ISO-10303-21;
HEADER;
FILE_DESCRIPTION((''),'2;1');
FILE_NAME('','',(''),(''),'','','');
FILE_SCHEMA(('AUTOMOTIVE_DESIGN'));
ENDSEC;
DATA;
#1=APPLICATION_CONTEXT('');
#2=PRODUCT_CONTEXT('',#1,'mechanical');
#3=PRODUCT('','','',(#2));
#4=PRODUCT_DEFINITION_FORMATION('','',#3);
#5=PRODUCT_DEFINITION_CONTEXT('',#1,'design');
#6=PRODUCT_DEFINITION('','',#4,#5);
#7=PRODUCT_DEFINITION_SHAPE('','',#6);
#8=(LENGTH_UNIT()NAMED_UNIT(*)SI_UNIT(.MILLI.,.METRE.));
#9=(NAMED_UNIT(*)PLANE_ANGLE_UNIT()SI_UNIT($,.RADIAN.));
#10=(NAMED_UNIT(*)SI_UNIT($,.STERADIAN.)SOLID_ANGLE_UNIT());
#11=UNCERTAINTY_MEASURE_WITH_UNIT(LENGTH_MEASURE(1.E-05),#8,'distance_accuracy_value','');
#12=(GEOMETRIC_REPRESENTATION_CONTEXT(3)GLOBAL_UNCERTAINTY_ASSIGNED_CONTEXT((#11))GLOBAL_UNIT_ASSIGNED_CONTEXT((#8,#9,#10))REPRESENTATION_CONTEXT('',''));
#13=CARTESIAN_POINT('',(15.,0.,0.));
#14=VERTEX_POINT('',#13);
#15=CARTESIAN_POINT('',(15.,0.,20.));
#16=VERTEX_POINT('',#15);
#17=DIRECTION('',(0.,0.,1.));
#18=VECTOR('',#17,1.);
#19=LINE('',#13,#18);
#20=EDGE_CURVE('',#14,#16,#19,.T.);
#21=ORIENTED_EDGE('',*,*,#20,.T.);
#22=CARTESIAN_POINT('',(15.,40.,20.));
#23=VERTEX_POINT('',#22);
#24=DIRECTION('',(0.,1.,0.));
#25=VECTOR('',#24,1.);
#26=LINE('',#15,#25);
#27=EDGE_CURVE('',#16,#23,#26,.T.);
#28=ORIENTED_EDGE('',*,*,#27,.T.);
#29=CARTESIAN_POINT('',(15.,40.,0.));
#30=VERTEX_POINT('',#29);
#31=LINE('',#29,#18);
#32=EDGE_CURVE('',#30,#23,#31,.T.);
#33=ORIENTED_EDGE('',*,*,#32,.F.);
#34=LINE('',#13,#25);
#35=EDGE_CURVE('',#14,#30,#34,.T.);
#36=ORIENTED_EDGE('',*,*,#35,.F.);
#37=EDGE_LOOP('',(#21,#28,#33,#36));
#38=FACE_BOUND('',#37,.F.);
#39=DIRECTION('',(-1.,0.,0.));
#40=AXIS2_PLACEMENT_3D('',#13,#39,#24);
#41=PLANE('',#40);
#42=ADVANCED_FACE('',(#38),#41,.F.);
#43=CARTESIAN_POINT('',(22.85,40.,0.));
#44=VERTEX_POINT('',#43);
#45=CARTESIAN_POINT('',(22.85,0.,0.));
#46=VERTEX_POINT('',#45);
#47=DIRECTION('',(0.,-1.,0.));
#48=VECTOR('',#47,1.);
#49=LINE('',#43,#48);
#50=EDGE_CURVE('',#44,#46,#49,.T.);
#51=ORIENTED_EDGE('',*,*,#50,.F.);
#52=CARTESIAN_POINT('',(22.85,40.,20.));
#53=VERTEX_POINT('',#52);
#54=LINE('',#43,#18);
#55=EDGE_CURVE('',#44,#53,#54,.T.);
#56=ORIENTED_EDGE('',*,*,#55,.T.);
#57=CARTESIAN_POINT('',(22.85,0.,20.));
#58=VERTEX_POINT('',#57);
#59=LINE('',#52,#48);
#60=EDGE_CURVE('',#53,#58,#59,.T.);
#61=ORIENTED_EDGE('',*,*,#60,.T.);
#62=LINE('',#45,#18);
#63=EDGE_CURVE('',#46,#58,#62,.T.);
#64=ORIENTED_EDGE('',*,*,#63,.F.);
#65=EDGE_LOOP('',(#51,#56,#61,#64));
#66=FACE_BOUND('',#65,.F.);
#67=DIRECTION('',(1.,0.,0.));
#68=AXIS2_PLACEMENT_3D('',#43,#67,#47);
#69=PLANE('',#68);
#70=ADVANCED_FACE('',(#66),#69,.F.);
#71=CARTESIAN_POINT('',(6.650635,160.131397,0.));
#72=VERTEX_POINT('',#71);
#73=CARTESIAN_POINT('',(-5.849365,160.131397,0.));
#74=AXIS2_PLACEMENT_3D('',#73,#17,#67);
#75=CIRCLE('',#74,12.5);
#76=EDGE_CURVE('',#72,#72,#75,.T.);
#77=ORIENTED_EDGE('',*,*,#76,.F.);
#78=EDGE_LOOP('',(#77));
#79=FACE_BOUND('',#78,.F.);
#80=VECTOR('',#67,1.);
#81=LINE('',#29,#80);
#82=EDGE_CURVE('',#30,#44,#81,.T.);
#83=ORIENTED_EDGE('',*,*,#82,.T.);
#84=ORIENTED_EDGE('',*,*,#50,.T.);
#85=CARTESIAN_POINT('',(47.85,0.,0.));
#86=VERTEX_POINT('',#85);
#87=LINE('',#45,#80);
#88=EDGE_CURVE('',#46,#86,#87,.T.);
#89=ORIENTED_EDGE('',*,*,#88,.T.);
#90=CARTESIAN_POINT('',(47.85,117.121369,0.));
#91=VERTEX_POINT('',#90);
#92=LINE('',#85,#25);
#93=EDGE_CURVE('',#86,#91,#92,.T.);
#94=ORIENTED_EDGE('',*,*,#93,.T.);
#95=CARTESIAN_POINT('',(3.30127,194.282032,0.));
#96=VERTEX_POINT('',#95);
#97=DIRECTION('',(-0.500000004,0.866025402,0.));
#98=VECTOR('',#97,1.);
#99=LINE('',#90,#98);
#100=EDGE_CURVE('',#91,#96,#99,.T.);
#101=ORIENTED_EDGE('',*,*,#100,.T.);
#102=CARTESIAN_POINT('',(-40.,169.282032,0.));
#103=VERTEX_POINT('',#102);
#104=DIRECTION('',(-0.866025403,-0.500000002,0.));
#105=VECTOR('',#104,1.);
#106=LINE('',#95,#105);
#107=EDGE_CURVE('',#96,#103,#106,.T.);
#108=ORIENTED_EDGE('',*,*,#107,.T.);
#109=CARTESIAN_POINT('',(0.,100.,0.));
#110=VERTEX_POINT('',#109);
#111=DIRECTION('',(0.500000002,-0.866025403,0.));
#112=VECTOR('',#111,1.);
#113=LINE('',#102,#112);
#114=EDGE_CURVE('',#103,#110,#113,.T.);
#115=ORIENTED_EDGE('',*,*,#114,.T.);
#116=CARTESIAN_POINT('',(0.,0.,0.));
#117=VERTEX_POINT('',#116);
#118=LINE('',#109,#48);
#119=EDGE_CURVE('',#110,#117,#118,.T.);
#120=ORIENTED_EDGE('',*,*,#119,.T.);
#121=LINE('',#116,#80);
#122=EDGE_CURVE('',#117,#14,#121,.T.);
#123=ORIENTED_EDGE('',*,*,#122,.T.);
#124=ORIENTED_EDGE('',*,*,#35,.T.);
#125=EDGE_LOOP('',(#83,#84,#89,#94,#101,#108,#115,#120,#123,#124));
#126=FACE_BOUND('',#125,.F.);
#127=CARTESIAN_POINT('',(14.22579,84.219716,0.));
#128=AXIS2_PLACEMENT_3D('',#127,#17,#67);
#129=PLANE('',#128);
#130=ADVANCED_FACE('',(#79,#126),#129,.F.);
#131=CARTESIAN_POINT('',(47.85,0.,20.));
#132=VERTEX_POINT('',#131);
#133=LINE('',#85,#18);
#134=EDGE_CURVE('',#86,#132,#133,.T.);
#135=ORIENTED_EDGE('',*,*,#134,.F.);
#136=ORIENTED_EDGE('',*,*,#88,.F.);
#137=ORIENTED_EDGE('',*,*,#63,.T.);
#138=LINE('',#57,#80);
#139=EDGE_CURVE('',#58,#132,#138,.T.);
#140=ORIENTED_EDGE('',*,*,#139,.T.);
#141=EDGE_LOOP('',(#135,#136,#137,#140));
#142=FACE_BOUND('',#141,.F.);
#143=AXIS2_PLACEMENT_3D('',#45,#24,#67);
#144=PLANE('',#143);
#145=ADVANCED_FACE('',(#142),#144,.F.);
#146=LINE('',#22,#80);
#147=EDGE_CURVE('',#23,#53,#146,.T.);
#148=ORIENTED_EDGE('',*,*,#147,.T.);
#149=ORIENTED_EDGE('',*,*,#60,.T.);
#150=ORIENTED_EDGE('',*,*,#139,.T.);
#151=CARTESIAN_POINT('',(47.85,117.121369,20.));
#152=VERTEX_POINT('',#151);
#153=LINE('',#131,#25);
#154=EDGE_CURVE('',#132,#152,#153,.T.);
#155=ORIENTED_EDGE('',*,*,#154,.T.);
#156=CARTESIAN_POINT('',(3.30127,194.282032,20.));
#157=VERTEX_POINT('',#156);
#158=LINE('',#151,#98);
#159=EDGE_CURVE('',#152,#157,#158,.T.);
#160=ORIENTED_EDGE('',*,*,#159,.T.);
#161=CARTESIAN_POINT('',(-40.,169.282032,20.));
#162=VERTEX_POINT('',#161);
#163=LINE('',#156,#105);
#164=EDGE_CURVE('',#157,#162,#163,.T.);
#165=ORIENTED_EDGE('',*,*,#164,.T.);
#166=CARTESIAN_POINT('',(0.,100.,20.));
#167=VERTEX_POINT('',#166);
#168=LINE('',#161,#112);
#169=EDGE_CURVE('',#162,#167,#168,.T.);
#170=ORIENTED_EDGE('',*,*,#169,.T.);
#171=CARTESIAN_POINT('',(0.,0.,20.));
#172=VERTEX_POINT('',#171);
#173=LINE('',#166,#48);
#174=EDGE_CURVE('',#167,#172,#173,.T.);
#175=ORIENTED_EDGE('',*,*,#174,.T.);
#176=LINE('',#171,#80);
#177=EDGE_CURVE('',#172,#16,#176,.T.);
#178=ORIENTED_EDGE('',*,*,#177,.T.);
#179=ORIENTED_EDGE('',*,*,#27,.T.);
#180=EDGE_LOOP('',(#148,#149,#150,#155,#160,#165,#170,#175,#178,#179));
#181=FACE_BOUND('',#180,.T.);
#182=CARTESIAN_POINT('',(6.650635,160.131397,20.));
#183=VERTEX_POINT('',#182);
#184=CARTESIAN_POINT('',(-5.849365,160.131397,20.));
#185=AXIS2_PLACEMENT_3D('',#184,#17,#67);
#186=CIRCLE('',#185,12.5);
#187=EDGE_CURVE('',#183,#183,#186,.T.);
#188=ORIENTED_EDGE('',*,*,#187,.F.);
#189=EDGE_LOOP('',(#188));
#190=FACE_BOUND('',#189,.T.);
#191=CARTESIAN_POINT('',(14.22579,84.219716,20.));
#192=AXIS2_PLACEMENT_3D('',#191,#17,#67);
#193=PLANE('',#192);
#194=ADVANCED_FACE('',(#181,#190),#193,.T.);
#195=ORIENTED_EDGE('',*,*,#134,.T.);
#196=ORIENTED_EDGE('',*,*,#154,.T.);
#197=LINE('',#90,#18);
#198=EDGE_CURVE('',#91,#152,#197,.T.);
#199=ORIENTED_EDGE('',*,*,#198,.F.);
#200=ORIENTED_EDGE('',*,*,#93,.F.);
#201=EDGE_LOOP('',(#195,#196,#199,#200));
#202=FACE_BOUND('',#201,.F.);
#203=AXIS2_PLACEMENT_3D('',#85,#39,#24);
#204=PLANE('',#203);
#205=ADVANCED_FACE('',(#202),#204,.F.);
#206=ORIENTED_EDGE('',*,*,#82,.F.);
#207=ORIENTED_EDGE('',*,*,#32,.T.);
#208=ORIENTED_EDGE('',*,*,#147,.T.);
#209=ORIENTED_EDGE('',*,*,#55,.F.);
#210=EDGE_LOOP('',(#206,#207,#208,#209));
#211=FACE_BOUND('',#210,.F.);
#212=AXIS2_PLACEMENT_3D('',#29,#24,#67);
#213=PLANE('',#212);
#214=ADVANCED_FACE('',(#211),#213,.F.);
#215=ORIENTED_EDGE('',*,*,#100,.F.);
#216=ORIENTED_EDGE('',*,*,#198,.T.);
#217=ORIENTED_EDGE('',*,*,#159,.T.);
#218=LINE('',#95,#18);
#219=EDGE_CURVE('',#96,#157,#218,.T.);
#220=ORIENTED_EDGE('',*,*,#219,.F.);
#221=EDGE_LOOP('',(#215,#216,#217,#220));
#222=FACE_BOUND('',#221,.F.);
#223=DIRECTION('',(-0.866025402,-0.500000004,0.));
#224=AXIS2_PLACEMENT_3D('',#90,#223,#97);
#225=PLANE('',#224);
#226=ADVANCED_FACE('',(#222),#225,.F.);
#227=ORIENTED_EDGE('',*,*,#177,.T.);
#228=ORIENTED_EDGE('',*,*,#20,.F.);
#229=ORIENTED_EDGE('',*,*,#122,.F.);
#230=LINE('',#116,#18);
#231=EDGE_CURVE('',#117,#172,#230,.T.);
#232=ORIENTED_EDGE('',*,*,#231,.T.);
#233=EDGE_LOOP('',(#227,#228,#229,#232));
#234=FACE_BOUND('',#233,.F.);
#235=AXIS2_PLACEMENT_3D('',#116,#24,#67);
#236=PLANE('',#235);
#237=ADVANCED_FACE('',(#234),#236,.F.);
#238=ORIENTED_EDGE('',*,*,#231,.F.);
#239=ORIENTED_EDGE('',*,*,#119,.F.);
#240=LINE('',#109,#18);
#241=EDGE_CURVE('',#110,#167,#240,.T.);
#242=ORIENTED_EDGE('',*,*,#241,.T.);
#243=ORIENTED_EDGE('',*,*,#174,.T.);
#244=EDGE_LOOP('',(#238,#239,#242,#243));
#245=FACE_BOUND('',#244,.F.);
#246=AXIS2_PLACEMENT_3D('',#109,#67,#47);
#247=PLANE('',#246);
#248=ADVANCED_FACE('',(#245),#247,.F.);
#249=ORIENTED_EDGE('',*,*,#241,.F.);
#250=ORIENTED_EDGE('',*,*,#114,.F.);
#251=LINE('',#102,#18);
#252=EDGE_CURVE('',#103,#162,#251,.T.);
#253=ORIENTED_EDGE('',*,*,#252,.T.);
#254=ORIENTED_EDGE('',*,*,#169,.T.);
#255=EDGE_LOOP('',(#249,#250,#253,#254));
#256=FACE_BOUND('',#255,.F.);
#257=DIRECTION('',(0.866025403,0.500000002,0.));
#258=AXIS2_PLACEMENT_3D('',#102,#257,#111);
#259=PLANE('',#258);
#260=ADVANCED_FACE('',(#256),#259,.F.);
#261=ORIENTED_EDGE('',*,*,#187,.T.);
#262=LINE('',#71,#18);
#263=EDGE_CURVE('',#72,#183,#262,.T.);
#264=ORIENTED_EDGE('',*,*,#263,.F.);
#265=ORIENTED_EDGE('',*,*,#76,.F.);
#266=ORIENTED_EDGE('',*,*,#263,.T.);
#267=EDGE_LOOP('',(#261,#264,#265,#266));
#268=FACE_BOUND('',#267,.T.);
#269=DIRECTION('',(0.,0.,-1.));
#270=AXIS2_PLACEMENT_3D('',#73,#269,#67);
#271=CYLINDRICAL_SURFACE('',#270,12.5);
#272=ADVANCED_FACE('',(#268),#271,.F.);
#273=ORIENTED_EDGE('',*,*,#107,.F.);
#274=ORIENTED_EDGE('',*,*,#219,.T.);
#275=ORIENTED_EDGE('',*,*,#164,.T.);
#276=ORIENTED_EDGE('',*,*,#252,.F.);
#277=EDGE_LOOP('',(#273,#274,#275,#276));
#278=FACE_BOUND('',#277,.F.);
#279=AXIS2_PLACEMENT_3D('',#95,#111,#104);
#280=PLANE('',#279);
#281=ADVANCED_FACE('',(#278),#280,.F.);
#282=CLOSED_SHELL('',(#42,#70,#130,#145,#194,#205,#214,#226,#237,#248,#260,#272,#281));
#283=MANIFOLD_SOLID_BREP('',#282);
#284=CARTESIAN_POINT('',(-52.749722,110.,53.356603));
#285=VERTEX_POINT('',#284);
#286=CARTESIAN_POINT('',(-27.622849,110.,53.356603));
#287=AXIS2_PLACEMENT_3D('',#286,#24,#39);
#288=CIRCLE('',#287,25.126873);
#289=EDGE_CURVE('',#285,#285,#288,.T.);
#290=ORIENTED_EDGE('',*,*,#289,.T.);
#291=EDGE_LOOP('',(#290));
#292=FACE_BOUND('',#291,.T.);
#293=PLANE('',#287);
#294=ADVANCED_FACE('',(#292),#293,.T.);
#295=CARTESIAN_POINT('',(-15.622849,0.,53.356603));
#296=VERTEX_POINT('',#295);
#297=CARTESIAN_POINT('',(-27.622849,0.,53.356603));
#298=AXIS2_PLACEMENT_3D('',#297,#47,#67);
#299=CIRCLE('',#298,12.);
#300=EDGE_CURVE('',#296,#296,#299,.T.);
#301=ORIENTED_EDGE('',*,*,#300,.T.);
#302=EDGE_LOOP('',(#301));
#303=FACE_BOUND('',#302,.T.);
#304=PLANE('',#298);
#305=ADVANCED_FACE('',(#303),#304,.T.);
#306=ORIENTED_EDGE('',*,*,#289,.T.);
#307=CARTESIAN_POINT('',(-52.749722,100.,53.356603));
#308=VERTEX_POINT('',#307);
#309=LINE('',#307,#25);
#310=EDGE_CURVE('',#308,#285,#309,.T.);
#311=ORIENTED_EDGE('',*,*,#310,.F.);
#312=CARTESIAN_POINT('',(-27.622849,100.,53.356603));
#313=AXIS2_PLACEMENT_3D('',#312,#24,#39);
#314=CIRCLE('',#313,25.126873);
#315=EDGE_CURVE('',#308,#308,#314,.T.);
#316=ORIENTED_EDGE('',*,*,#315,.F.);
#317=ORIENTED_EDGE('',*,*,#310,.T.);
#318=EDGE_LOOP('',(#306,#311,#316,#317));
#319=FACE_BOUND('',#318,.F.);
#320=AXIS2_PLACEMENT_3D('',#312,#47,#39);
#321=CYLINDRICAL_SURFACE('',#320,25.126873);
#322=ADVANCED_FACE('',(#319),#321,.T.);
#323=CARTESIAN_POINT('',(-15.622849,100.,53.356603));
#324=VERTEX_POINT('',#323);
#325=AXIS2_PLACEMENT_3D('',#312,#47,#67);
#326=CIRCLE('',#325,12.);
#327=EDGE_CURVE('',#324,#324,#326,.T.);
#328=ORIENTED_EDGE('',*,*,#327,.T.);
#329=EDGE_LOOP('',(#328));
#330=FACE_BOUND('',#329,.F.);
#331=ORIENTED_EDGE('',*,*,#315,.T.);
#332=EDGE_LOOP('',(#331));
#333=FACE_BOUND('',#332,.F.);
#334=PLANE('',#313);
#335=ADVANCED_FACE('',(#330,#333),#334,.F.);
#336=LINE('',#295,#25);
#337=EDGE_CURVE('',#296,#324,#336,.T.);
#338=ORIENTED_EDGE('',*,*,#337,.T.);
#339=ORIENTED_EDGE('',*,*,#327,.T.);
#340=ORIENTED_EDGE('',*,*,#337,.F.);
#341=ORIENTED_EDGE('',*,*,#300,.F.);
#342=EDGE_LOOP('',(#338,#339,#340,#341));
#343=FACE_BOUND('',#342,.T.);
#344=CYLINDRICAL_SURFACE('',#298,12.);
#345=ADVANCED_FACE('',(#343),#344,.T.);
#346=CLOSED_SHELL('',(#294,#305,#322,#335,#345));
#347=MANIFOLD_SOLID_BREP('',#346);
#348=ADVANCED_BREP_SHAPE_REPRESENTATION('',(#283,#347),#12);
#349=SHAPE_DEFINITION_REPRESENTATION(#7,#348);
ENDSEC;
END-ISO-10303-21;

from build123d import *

# Parameters (mm, degrees)
F0_R     = 12.5
F1_DEPTH = 20
F2_R     = 12
F3_DEPTH = 100
F4_R     = 25.126873
F5_DEPTH = 10


with BuildPart() as f1:
    # F0 (on Top) → F1 (new body)
    with BuildSketch(Plane.XY):
        Polygon((0, 100), (0, 0), (15, 0), (15, 40), (22.85, 40), (22.85, 0), (47.85, 0), (47.85, 117.121369), (3.30127, 194.282032), (-40, 169.282032), align=None)
        with Locations((-5.849365, 160.131397)):
            Circle(F0_R, mode=Mode.SUBTRACT)
    extrude(amount=F1_DEPTH)


with BuildPart() as f3:
    # F2 (on Front) → F3 (new body)
    with BuildSketch(Plane.XZ):
        with Locations((-27.622849, 53.356603)):
            Circle(F2_R)
    extrude(amount=-F3_DEPTH)

    # F4 (on face) → F5 (join)
    with BuildSketch(Plane(origin=(0, 100, 0), x_dir=(-1, 0, 0), z_dir=(0, 1, 0))):
        with Locations((27.622849, 53.356603)):
            Circle(F4_R)
    extrude(amount=F5_DEPTH)


solid = Compound([f1.part, f3.part])
